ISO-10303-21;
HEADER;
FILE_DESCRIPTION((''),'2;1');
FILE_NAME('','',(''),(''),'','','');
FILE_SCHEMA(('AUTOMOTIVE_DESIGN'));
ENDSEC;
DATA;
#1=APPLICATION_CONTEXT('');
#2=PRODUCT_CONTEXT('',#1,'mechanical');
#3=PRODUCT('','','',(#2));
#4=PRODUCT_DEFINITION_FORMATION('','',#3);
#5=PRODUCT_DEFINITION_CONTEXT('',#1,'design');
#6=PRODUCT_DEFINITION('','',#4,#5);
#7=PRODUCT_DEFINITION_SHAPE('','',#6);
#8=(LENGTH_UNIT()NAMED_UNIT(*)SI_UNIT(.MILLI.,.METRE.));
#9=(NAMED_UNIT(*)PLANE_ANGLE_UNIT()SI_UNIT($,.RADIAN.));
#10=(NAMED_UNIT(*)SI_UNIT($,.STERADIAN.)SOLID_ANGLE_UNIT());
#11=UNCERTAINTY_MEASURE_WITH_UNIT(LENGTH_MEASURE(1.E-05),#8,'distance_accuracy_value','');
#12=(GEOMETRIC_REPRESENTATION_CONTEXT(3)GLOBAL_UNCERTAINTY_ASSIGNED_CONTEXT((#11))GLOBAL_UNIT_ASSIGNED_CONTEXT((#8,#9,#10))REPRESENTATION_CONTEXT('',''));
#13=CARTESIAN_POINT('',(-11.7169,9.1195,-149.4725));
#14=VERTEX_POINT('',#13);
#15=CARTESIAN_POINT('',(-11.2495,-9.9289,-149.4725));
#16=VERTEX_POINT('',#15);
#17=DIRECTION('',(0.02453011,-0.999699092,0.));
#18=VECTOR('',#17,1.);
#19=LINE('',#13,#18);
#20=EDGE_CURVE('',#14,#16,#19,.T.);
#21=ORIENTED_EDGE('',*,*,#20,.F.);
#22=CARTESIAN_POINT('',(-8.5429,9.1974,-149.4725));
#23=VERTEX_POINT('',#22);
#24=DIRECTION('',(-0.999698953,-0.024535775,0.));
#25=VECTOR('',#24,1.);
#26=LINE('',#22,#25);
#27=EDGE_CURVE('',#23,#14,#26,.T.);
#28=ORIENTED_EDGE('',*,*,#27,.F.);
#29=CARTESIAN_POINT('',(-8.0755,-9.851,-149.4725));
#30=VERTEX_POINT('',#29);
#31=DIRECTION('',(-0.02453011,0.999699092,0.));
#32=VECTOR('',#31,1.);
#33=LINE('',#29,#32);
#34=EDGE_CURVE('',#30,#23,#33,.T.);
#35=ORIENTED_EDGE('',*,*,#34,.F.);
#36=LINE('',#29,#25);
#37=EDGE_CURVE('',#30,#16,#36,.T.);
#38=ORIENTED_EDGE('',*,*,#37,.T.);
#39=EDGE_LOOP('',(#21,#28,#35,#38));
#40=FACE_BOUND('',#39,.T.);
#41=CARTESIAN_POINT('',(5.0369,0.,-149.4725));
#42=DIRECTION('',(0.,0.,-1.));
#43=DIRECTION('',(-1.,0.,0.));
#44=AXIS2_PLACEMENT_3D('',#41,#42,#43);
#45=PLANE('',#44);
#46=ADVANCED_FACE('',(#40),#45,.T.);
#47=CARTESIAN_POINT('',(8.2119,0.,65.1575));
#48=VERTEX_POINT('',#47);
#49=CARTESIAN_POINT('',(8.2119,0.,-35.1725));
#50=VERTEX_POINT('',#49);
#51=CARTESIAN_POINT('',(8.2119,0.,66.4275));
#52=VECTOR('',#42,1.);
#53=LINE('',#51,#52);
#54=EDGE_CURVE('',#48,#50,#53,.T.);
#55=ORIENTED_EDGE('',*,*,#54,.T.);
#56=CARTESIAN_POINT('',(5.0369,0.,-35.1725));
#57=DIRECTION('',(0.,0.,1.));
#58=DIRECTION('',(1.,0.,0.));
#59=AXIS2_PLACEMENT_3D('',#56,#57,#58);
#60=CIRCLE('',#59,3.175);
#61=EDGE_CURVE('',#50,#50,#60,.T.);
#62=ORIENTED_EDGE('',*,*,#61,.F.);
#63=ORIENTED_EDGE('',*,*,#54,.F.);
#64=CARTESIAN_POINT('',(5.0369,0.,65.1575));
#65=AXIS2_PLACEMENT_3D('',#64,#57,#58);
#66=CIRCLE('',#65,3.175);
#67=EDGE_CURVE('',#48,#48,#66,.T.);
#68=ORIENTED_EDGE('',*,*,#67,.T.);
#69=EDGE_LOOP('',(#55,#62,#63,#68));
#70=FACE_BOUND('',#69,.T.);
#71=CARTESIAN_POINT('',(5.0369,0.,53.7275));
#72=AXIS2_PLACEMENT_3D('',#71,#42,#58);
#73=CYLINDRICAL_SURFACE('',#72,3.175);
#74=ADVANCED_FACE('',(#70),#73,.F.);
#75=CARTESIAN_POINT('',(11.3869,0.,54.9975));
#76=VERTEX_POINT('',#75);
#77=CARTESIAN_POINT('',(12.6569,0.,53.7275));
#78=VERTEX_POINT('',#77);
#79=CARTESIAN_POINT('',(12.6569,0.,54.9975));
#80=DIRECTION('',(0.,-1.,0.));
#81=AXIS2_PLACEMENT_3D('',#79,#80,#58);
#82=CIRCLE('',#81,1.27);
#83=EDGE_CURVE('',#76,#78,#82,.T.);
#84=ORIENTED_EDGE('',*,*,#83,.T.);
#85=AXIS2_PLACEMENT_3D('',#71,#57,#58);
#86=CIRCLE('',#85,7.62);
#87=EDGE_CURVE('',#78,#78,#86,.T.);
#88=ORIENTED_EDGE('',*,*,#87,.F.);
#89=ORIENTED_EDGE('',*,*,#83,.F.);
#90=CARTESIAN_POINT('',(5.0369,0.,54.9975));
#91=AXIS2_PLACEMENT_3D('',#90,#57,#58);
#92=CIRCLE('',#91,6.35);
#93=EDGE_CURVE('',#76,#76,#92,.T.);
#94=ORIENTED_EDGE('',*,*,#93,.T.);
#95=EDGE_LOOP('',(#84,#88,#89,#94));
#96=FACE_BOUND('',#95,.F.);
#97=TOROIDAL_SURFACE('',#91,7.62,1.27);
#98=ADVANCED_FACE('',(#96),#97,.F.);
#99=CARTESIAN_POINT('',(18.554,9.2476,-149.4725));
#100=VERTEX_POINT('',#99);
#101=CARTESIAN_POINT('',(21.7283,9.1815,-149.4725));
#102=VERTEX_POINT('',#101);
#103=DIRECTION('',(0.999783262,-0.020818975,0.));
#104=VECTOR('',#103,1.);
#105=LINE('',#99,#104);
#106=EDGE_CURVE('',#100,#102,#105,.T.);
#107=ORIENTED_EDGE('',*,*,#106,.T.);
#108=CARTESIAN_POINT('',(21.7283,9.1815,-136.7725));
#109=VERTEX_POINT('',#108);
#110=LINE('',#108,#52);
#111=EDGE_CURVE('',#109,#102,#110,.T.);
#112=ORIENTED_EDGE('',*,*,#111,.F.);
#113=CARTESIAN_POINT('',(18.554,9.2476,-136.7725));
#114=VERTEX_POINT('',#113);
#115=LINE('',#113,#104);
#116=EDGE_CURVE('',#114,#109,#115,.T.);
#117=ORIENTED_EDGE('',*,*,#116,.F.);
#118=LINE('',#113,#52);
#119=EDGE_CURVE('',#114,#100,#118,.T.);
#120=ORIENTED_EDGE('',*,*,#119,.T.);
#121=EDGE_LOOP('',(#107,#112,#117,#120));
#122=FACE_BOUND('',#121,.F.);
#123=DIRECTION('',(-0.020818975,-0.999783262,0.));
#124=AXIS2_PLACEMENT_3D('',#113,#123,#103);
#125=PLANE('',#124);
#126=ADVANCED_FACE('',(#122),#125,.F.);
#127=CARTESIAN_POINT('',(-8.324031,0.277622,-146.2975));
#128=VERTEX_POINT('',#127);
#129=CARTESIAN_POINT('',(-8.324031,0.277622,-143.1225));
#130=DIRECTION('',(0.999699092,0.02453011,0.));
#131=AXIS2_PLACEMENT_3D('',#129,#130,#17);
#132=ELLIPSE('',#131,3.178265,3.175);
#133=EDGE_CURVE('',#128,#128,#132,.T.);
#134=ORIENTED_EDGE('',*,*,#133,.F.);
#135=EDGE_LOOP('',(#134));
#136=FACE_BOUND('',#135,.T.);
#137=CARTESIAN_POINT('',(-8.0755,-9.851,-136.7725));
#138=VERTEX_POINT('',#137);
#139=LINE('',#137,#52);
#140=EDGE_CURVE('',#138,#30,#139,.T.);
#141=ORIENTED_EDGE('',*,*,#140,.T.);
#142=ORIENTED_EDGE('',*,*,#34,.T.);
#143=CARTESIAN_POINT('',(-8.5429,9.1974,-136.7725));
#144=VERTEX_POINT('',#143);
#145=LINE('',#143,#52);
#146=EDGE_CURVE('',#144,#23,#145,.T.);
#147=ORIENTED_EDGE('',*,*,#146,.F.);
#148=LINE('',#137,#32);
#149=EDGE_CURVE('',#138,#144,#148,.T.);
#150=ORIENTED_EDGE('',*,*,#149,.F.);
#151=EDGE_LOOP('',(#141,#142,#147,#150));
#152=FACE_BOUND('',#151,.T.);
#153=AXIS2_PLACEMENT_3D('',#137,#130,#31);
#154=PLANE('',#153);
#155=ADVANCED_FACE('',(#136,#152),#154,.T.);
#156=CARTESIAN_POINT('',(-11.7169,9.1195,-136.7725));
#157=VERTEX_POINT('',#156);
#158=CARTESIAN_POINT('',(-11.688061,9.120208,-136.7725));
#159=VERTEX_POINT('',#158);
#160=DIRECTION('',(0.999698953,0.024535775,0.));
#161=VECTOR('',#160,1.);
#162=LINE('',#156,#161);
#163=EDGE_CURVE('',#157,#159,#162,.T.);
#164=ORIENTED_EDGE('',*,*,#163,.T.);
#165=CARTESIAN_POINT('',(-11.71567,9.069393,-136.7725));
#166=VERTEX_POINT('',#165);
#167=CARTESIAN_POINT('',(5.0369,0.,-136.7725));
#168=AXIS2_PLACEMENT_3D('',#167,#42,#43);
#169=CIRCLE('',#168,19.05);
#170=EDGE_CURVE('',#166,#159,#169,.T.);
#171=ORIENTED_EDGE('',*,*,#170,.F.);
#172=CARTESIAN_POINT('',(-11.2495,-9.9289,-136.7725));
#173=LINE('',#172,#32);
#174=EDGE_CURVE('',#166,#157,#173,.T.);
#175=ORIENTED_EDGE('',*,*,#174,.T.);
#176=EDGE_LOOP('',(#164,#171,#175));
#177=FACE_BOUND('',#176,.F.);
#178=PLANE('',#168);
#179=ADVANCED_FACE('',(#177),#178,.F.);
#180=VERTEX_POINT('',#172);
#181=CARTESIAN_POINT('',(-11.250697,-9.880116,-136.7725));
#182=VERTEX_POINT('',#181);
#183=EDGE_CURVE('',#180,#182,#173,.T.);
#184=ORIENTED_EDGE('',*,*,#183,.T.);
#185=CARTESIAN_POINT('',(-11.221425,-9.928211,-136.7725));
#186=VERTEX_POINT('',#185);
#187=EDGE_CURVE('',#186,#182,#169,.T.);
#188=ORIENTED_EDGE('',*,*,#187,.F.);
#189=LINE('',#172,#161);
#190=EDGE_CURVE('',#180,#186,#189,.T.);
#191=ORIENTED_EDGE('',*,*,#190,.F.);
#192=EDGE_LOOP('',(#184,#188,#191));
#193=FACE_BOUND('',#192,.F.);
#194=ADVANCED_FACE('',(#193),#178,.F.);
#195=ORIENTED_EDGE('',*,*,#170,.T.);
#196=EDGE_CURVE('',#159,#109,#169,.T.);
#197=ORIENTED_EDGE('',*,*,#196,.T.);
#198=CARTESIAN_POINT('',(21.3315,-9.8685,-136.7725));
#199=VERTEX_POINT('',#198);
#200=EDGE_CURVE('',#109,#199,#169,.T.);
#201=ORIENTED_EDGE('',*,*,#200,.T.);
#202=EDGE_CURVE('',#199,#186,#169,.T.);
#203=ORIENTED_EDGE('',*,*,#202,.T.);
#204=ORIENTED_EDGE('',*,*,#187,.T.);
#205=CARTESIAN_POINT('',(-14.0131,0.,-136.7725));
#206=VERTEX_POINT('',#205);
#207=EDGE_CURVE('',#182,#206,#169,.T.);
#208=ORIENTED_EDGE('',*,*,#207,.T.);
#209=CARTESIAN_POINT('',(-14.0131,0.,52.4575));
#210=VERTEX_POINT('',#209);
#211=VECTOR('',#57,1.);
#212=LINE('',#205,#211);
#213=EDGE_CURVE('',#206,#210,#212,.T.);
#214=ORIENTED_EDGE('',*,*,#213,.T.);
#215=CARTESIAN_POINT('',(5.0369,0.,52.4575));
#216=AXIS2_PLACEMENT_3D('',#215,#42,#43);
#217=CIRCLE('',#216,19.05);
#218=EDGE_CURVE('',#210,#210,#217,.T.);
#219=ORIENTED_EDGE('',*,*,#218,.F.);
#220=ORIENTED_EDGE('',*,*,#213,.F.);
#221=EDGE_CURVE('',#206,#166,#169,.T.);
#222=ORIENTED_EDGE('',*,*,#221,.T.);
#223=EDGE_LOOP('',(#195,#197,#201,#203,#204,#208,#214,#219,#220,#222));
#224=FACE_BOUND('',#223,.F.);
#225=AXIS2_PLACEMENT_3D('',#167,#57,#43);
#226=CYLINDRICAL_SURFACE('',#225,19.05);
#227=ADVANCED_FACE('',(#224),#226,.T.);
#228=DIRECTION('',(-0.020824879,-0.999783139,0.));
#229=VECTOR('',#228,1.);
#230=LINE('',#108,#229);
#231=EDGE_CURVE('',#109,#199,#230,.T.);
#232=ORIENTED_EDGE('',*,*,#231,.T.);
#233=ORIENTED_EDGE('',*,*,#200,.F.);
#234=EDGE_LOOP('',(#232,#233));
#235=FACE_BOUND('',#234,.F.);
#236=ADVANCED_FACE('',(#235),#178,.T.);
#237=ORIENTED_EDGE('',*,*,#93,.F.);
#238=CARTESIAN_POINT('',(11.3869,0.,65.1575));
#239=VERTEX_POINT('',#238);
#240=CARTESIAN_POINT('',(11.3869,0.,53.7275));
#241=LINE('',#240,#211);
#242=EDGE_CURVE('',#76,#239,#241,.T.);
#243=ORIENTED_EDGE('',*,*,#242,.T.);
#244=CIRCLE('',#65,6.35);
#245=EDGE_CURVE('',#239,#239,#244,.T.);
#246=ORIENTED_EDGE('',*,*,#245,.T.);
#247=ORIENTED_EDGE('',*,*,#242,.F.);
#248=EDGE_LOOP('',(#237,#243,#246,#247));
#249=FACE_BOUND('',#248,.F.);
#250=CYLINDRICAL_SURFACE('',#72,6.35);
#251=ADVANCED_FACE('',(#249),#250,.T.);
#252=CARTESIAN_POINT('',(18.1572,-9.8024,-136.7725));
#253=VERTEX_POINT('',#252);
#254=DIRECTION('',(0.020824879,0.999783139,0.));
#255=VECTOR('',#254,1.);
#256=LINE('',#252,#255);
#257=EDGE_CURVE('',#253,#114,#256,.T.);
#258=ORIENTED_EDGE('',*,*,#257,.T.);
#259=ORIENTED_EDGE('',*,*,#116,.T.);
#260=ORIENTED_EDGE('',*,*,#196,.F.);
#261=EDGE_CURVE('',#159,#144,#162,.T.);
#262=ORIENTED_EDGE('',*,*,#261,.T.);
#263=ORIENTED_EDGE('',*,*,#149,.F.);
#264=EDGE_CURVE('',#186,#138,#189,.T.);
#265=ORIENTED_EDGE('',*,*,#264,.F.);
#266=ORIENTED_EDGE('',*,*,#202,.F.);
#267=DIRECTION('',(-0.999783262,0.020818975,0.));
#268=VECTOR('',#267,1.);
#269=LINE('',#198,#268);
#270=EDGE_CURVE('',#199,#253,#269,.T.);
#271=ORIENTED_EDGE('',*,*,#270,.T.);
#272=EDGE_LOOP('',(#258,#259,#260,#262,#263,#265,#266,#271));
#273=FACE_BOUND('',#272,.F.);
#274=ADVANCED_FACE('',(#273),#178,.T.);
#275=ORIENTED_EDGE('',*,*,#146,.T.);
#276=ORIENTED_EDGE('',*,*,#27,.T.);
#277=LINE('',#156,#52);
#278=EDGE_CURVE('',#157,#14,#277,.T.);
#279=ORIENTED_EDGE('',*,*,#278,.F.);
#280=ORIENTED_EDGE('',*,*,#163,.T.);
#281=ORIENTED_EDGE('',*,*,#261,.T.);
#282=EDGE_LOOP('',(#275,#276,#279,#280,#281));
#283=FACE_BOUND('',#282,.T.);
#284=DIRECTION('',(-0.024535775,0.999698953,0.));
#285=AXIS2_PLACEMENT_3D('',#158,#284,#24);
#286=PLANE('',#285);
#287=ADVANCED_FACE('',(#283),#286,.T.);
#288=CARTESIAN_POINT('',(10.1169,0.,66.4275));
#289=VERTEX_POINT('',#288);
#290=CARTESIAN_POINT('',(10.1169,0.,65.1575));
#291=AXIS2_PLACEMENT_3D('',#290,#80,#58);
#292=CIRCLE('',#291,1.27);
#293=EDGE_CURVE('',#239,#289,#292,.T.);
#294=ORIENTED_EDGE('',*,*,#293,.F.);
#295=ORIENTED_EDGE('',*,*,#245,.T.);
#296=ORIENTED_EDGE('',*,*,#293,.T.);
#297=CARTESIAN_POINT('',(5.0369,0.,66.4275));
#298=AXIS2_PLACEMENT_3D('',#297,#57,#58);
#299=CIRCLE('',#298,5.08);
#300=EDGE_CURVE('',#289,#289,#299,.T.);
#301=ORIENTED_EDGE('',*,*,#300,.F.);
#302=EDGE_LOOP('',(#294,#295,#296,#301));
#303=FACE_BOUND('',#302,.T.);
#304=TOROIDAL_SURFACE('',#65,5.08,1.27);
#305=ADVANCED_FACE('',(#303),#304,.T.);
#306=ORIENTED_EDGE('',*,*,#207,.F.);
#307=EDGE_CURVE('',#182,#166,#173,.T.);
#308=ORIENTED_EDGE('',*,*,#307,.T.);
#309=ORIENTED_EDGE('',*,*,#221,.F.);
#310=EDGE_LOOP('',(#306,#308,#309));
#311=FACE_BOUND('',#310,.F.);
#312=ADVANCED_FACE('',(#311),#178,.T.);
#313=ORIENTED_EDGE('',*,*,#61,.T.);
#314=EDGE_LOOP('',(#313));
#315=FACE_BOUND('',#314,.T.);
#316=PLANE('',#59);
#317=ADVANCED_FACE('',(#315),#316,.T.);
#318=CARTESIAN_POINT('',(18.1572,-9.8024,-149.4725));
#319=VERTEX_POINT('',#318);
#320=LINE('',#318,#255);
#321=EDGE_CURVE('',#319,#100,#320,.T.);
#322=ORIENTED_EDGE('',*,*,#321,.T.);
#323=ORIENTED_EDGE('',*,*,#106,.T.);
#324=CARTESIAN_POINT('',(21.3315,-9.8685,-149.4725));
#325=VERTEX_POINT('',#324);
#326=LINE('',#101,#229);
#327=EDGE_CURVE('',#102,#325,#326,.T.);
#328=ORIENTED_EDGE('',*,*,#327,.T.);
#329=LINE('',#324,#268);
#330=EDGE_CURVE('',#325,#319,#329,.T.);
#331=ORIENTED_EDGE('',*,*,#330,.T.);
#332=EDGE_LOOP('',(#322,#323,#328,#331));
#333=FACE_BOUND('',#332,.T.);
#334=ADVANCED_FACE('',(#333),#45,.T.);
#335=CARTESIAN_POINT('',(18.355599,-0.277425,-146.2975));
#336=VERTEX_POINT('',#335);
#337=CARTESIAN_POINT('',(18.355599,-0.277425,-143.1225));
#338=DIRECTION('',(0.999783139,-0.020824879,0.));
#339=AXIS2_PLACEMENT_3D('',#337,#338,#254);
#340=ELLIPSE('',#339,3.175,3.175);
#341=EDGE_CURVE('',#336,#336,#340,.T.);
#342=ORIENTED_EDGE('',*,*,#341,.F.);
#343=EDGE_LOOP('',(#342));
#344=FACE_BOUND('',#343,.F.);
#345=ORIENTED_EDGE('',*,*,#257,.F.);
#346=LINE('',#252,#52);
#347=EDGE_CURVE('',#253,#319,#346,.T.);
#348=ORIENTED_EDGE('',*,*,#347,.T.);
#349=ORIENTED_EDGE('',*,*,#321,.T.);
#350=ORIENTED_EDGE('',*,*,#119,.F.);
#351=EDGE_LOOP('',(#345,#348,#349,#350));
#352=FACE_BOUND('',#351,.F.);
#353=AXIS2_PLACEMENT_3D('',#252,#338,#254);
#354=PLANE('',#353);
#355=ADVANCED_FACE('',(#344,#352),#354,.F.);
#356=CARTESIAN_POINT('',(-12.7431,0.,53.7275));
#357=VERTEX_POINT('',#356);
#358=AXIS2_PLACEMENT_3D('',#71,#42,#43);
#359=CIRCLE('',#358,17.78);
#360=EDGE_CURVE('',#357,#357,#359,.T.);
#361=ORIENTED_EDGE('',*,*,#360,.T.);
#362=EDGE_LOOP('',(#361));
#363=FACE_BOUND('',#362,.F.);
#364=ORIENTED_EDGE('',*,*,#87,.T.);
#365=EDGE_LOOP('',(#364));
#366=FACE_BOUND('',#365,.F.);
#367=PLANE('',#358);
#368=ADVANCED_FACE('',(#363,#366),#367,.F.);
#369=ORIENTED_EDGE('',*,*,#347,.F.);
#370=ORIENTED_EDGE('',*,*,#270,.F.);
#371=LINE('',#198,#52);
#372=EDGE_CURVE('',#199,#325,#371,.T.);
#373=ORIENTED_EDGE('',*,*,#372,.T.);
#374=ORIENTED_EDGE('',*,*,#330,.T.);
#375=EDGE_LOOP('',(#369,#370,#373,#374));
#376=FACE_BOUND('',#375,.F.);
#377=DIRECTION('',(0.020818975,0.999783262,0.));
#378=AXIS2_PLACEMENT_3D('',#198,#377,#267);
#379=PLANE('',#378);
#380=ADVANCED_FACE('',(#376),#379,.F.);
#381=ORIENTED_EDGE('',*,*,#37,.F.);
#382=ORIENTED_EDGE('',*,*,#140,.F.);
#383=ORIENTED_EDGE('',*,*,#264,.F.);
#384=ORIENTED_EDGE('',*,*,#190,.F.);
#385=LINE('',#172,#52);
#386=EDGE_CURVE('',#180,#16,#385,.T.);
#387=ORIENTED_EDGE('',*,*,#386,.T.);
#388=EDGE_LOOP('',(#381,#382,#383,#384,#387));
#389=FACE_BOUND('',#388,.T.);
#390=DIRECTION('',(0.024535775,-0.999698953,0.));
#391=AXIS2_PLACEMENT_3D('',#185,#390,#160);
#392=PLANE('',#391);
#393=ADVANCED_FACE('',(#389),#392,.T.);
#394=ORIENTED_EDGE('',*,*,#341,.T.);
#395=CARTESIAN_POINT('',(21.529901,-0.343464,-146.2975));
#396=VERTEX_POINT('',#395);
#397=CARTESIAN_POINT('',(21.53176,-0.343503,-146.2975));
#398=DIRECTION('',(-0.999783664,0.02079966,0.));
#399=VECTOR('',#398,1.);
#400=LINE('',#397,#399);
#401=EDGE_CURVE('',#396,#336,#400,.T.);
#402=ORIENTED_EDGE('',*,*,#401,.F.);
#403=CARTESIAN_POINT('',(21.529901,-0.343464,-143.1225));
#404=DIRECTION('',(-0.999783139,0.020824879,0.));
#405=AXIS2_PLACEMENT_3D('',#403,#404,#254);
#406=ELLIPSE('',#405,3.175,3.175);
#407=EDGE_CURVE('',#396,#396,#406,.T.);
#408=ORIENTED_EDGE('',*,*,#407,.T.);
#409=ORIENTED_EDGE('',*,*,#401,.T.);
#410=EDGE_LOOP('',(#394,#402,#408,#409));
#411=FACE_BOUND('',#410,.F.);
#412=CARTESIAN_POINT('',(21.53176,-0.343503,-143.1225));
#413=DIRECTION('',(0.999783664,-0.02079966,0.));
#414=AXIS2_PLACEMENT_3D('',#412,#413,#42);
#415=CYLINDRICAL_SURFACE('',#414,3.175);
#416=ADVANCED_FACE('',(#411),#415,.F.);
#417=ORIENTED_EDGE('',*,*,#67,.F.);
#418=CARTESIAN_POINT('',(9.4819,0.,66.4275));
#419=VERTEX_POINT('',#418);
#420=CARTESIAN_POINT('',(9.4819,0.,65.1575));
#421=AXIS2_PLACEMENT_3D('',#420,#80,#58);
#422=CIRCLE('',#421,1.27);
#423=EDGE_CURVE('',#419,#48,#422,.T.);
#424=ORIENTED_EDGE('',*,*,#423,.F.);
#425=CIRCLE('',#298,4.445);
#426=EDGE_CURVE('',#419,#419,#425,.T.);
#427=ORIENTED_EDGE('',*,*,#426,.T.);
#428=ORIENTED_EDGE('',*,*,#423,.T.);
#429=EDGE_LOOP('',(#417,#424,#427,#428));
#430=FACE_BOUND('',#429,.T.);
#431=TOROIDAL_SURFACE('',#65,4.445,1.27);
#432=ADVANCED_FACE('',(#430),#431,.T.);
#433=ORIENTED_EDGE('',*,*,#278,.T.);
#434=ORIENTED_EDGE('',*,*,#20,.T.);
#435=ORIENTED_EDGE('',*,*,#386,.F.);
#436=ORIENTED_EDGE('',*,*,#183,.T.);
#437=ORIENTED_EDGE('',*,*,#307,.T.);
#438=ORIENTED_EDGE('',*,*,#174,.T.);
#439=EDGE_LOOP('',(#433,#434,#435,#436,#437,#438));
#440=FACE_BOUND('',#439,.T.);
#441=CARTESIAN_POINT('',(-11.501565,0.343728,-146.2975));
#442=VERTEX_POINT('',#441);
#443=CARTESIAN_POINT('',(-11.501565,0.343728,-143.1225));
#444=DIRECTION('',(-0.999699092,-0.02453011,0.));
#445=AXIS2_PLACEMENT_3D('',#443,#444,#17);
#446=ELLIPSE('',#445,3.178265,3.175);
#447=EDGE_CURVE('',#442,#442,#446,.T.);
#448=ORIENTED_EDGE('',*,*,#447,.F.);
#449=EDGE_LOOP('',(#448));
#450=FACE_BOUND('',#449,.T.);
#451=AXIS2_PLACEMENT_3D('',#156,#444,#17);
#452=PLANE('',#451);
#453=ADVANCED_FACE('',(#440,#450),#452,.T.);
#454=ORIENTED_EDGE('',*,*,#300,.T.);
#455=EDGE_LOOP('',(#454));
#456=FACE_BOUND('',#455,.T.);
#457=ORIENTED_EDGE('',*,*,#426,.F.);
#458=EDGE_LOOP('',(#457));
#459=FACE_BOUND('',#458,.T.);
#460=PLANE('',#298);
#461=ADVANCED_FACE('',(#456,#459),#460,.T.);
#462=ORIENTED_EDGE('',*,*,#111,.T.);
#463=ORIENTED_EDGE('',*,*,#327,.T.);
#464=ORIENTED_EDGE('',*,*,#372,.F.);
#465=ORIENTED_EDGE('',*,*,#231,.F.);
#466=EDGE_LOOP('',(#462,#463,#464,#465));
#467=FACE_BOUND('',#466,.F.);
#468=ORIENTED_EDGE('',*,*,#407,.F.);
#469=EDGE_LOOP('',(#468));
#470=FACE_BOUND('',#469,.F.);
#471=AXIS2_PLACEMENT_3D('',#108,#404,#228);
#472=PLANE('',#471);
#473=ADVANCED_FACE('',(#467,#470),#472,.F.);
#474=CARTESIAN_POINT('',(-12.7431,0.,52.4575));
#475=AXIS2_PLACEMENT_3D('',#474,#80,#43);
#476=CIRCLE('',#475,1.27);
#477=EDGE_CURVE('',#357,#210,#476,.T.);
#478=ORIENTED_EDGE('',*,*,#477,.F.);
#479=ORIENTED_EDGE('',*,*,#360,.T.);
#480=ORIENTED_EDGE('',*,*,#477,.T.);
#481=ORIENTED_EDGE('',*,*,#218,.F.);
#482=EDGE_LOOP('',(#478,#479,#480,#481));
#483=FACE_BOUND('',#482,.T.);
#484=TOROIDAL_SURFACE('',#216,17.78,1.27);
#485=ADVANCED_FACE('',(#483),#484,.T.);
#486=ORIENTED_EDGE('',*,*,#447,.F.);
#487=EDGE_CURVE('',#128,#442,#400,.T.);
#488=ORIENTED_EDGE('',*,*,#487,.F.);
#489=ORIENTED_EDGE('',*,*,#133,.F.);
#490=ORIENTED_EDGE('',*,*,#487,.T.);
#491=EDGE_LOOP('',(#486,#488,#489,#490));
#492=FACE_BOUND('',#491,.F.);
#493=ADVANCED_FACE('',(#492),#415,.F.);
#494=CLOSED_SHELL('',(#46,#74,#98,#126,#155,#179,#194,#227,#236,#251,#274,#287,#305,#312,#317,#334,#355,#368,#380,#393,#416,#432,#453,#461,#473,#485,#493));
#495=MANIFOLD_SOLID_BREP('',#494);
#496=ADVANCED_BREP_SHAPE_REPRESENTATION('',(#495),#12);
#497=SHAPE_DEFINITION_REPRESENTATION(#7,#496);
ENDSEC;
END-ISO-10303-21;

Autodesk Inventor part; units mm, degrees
ref_plane "YZ Plane" through (0, 0, 0) normal (1, 0, 0) x (0, 1, 0)
ref_plane "XZ Plane" through (0, 0, 0) normal (0, 1, 0) x (-1, 0, 0)
ref_plane "XY Plane" through (0, 0, 0) normal (0, 0, 1) x (1, 0, 0)
sketch "Sketch1" plane through (0, 0, 0) normal (0, 1, 0) x (-1, 0, 0)
  line L0 (14.0131, 53.7275) -> (-24.0869, 53.7275)
  line L1 (-24.0869, 53.7275) -> (-24.0869, -136.7725)
  line L2 (-24.0869, -136.7725) -> (14.0131, -136.7725)
  line L3 (14.0131, -136.7725) -> (14.0131, 53.7275)
  line L4 (-5.0369, 53.7275) -> (-5.0369, -136.7725)
  point P0 (0, 0)
  dimension "d0" = 38.1
  dimension "d1" = 190.5
revolve "Revolution1" add sketch "Sketch1" angle 360 about axis through (5.0369, 0, 53.7275) along (0, 0, -1) contours L3 L2 L4 L0
sketch "Sketch2" plane through (5.0369, 0, 53.7275) normal (0, 0, 1) x (1, 0, 0)
  circle A0 centre (0, 0) radius 3.175
  point P0 (-5.0369, 0)
  dimension "d3" = 6.35
extrude "Extrusion1" cut sketch "Sketch2" against normal blind 88.9
sketch "Sketch3" plane through (5.0369, 0, -136.7725) normal (0, 0, -1) x (-1, 0, 0)
  circle A0 centre (0, 0) radius 3.175 projected
  circle A1 centre (0, 0) radius 19.05
  circle A2 centre (0, 0) radius 19.05 projected
  line L0 (-16.6914, 9.1815) -> (-16.2946, -9.8685)
  line L1 (-16.2946, -9.8685) -> (-13.1203, -9.8024)
  line L2 (-13.1203, -9.8024) -> (-13.5171, 9.2476)
  line L3 (-13.5171, 9.2476) -> (-16.6914, 9.1815)
  line L4 (0.0496, 19.0499) -> (-0.0211, -19.05)
  line L5 (16.7538, 9.1195) -> (16.2864, -9.9289)
  line L6 (16.2864, -9.9289) -> (13.1124, -9.851)
  line L7 (13.1124, -9.851) -> (13.5798, 9.1974)
  line L8 (13.5798, 9.1974) -> (16.7538, 9.1195)
  point P0 (5.0369, 0)
  dimension "d6" = 3.175
  dimension "d7" = 19.05
extrude "Extrusion2" add sketch "Sketch3" along normal blind 12.7 contours L3 L2 L1 L0 | L8 L5 A1 | A1 L5 L6 L7 L8 | A1 L5 L6
sketch "Sketch4" plane through (21.3316, -9.8685, -136.7725) normal (0.9998, -0.0208, 0) x (0, 0, -1)
  line L0 (12.7, 19.0541) -> (0, 19.0541)
  line L1 (0, 19.0541) -> (0, 0)
  line L2 (0, 0) -> (12.7, 0)
  line L3 (12.7, 0) -> (12.7, 19.0541)
  circle A0 centre (6.35, 9.5271) radius 3.175
  point P0 (-136.7725, 9.4222)
  dimension "d10" = 6.35
extrude "Extrusion3" cut sketch "Sketch4" against normal blind 3149.6 contours A0
sketch "Sketch5" plane through (5.0369, 0, 53.7275) normal (0, 0, 1) x (1, 0, 0)
  circle A0 centre (0, 0) radius 3.175
  circle A1 centre (0, 0) radius 6.35
  point P0 (-5.0369, 0)
  dimension "d13" = 12.7
extrude "Extrusion4" add sketch "Sketch5" along normal blind 12.7
fillet "Fillet1" radius 1.27 4 edges at (-1.3131, 0, 66.4275) (24.0869, 0, 53.7275) (-1.3131, 0, 53.7275) (1.8619, 0, 66.4275)
properties part number "PC3.5-P1"
